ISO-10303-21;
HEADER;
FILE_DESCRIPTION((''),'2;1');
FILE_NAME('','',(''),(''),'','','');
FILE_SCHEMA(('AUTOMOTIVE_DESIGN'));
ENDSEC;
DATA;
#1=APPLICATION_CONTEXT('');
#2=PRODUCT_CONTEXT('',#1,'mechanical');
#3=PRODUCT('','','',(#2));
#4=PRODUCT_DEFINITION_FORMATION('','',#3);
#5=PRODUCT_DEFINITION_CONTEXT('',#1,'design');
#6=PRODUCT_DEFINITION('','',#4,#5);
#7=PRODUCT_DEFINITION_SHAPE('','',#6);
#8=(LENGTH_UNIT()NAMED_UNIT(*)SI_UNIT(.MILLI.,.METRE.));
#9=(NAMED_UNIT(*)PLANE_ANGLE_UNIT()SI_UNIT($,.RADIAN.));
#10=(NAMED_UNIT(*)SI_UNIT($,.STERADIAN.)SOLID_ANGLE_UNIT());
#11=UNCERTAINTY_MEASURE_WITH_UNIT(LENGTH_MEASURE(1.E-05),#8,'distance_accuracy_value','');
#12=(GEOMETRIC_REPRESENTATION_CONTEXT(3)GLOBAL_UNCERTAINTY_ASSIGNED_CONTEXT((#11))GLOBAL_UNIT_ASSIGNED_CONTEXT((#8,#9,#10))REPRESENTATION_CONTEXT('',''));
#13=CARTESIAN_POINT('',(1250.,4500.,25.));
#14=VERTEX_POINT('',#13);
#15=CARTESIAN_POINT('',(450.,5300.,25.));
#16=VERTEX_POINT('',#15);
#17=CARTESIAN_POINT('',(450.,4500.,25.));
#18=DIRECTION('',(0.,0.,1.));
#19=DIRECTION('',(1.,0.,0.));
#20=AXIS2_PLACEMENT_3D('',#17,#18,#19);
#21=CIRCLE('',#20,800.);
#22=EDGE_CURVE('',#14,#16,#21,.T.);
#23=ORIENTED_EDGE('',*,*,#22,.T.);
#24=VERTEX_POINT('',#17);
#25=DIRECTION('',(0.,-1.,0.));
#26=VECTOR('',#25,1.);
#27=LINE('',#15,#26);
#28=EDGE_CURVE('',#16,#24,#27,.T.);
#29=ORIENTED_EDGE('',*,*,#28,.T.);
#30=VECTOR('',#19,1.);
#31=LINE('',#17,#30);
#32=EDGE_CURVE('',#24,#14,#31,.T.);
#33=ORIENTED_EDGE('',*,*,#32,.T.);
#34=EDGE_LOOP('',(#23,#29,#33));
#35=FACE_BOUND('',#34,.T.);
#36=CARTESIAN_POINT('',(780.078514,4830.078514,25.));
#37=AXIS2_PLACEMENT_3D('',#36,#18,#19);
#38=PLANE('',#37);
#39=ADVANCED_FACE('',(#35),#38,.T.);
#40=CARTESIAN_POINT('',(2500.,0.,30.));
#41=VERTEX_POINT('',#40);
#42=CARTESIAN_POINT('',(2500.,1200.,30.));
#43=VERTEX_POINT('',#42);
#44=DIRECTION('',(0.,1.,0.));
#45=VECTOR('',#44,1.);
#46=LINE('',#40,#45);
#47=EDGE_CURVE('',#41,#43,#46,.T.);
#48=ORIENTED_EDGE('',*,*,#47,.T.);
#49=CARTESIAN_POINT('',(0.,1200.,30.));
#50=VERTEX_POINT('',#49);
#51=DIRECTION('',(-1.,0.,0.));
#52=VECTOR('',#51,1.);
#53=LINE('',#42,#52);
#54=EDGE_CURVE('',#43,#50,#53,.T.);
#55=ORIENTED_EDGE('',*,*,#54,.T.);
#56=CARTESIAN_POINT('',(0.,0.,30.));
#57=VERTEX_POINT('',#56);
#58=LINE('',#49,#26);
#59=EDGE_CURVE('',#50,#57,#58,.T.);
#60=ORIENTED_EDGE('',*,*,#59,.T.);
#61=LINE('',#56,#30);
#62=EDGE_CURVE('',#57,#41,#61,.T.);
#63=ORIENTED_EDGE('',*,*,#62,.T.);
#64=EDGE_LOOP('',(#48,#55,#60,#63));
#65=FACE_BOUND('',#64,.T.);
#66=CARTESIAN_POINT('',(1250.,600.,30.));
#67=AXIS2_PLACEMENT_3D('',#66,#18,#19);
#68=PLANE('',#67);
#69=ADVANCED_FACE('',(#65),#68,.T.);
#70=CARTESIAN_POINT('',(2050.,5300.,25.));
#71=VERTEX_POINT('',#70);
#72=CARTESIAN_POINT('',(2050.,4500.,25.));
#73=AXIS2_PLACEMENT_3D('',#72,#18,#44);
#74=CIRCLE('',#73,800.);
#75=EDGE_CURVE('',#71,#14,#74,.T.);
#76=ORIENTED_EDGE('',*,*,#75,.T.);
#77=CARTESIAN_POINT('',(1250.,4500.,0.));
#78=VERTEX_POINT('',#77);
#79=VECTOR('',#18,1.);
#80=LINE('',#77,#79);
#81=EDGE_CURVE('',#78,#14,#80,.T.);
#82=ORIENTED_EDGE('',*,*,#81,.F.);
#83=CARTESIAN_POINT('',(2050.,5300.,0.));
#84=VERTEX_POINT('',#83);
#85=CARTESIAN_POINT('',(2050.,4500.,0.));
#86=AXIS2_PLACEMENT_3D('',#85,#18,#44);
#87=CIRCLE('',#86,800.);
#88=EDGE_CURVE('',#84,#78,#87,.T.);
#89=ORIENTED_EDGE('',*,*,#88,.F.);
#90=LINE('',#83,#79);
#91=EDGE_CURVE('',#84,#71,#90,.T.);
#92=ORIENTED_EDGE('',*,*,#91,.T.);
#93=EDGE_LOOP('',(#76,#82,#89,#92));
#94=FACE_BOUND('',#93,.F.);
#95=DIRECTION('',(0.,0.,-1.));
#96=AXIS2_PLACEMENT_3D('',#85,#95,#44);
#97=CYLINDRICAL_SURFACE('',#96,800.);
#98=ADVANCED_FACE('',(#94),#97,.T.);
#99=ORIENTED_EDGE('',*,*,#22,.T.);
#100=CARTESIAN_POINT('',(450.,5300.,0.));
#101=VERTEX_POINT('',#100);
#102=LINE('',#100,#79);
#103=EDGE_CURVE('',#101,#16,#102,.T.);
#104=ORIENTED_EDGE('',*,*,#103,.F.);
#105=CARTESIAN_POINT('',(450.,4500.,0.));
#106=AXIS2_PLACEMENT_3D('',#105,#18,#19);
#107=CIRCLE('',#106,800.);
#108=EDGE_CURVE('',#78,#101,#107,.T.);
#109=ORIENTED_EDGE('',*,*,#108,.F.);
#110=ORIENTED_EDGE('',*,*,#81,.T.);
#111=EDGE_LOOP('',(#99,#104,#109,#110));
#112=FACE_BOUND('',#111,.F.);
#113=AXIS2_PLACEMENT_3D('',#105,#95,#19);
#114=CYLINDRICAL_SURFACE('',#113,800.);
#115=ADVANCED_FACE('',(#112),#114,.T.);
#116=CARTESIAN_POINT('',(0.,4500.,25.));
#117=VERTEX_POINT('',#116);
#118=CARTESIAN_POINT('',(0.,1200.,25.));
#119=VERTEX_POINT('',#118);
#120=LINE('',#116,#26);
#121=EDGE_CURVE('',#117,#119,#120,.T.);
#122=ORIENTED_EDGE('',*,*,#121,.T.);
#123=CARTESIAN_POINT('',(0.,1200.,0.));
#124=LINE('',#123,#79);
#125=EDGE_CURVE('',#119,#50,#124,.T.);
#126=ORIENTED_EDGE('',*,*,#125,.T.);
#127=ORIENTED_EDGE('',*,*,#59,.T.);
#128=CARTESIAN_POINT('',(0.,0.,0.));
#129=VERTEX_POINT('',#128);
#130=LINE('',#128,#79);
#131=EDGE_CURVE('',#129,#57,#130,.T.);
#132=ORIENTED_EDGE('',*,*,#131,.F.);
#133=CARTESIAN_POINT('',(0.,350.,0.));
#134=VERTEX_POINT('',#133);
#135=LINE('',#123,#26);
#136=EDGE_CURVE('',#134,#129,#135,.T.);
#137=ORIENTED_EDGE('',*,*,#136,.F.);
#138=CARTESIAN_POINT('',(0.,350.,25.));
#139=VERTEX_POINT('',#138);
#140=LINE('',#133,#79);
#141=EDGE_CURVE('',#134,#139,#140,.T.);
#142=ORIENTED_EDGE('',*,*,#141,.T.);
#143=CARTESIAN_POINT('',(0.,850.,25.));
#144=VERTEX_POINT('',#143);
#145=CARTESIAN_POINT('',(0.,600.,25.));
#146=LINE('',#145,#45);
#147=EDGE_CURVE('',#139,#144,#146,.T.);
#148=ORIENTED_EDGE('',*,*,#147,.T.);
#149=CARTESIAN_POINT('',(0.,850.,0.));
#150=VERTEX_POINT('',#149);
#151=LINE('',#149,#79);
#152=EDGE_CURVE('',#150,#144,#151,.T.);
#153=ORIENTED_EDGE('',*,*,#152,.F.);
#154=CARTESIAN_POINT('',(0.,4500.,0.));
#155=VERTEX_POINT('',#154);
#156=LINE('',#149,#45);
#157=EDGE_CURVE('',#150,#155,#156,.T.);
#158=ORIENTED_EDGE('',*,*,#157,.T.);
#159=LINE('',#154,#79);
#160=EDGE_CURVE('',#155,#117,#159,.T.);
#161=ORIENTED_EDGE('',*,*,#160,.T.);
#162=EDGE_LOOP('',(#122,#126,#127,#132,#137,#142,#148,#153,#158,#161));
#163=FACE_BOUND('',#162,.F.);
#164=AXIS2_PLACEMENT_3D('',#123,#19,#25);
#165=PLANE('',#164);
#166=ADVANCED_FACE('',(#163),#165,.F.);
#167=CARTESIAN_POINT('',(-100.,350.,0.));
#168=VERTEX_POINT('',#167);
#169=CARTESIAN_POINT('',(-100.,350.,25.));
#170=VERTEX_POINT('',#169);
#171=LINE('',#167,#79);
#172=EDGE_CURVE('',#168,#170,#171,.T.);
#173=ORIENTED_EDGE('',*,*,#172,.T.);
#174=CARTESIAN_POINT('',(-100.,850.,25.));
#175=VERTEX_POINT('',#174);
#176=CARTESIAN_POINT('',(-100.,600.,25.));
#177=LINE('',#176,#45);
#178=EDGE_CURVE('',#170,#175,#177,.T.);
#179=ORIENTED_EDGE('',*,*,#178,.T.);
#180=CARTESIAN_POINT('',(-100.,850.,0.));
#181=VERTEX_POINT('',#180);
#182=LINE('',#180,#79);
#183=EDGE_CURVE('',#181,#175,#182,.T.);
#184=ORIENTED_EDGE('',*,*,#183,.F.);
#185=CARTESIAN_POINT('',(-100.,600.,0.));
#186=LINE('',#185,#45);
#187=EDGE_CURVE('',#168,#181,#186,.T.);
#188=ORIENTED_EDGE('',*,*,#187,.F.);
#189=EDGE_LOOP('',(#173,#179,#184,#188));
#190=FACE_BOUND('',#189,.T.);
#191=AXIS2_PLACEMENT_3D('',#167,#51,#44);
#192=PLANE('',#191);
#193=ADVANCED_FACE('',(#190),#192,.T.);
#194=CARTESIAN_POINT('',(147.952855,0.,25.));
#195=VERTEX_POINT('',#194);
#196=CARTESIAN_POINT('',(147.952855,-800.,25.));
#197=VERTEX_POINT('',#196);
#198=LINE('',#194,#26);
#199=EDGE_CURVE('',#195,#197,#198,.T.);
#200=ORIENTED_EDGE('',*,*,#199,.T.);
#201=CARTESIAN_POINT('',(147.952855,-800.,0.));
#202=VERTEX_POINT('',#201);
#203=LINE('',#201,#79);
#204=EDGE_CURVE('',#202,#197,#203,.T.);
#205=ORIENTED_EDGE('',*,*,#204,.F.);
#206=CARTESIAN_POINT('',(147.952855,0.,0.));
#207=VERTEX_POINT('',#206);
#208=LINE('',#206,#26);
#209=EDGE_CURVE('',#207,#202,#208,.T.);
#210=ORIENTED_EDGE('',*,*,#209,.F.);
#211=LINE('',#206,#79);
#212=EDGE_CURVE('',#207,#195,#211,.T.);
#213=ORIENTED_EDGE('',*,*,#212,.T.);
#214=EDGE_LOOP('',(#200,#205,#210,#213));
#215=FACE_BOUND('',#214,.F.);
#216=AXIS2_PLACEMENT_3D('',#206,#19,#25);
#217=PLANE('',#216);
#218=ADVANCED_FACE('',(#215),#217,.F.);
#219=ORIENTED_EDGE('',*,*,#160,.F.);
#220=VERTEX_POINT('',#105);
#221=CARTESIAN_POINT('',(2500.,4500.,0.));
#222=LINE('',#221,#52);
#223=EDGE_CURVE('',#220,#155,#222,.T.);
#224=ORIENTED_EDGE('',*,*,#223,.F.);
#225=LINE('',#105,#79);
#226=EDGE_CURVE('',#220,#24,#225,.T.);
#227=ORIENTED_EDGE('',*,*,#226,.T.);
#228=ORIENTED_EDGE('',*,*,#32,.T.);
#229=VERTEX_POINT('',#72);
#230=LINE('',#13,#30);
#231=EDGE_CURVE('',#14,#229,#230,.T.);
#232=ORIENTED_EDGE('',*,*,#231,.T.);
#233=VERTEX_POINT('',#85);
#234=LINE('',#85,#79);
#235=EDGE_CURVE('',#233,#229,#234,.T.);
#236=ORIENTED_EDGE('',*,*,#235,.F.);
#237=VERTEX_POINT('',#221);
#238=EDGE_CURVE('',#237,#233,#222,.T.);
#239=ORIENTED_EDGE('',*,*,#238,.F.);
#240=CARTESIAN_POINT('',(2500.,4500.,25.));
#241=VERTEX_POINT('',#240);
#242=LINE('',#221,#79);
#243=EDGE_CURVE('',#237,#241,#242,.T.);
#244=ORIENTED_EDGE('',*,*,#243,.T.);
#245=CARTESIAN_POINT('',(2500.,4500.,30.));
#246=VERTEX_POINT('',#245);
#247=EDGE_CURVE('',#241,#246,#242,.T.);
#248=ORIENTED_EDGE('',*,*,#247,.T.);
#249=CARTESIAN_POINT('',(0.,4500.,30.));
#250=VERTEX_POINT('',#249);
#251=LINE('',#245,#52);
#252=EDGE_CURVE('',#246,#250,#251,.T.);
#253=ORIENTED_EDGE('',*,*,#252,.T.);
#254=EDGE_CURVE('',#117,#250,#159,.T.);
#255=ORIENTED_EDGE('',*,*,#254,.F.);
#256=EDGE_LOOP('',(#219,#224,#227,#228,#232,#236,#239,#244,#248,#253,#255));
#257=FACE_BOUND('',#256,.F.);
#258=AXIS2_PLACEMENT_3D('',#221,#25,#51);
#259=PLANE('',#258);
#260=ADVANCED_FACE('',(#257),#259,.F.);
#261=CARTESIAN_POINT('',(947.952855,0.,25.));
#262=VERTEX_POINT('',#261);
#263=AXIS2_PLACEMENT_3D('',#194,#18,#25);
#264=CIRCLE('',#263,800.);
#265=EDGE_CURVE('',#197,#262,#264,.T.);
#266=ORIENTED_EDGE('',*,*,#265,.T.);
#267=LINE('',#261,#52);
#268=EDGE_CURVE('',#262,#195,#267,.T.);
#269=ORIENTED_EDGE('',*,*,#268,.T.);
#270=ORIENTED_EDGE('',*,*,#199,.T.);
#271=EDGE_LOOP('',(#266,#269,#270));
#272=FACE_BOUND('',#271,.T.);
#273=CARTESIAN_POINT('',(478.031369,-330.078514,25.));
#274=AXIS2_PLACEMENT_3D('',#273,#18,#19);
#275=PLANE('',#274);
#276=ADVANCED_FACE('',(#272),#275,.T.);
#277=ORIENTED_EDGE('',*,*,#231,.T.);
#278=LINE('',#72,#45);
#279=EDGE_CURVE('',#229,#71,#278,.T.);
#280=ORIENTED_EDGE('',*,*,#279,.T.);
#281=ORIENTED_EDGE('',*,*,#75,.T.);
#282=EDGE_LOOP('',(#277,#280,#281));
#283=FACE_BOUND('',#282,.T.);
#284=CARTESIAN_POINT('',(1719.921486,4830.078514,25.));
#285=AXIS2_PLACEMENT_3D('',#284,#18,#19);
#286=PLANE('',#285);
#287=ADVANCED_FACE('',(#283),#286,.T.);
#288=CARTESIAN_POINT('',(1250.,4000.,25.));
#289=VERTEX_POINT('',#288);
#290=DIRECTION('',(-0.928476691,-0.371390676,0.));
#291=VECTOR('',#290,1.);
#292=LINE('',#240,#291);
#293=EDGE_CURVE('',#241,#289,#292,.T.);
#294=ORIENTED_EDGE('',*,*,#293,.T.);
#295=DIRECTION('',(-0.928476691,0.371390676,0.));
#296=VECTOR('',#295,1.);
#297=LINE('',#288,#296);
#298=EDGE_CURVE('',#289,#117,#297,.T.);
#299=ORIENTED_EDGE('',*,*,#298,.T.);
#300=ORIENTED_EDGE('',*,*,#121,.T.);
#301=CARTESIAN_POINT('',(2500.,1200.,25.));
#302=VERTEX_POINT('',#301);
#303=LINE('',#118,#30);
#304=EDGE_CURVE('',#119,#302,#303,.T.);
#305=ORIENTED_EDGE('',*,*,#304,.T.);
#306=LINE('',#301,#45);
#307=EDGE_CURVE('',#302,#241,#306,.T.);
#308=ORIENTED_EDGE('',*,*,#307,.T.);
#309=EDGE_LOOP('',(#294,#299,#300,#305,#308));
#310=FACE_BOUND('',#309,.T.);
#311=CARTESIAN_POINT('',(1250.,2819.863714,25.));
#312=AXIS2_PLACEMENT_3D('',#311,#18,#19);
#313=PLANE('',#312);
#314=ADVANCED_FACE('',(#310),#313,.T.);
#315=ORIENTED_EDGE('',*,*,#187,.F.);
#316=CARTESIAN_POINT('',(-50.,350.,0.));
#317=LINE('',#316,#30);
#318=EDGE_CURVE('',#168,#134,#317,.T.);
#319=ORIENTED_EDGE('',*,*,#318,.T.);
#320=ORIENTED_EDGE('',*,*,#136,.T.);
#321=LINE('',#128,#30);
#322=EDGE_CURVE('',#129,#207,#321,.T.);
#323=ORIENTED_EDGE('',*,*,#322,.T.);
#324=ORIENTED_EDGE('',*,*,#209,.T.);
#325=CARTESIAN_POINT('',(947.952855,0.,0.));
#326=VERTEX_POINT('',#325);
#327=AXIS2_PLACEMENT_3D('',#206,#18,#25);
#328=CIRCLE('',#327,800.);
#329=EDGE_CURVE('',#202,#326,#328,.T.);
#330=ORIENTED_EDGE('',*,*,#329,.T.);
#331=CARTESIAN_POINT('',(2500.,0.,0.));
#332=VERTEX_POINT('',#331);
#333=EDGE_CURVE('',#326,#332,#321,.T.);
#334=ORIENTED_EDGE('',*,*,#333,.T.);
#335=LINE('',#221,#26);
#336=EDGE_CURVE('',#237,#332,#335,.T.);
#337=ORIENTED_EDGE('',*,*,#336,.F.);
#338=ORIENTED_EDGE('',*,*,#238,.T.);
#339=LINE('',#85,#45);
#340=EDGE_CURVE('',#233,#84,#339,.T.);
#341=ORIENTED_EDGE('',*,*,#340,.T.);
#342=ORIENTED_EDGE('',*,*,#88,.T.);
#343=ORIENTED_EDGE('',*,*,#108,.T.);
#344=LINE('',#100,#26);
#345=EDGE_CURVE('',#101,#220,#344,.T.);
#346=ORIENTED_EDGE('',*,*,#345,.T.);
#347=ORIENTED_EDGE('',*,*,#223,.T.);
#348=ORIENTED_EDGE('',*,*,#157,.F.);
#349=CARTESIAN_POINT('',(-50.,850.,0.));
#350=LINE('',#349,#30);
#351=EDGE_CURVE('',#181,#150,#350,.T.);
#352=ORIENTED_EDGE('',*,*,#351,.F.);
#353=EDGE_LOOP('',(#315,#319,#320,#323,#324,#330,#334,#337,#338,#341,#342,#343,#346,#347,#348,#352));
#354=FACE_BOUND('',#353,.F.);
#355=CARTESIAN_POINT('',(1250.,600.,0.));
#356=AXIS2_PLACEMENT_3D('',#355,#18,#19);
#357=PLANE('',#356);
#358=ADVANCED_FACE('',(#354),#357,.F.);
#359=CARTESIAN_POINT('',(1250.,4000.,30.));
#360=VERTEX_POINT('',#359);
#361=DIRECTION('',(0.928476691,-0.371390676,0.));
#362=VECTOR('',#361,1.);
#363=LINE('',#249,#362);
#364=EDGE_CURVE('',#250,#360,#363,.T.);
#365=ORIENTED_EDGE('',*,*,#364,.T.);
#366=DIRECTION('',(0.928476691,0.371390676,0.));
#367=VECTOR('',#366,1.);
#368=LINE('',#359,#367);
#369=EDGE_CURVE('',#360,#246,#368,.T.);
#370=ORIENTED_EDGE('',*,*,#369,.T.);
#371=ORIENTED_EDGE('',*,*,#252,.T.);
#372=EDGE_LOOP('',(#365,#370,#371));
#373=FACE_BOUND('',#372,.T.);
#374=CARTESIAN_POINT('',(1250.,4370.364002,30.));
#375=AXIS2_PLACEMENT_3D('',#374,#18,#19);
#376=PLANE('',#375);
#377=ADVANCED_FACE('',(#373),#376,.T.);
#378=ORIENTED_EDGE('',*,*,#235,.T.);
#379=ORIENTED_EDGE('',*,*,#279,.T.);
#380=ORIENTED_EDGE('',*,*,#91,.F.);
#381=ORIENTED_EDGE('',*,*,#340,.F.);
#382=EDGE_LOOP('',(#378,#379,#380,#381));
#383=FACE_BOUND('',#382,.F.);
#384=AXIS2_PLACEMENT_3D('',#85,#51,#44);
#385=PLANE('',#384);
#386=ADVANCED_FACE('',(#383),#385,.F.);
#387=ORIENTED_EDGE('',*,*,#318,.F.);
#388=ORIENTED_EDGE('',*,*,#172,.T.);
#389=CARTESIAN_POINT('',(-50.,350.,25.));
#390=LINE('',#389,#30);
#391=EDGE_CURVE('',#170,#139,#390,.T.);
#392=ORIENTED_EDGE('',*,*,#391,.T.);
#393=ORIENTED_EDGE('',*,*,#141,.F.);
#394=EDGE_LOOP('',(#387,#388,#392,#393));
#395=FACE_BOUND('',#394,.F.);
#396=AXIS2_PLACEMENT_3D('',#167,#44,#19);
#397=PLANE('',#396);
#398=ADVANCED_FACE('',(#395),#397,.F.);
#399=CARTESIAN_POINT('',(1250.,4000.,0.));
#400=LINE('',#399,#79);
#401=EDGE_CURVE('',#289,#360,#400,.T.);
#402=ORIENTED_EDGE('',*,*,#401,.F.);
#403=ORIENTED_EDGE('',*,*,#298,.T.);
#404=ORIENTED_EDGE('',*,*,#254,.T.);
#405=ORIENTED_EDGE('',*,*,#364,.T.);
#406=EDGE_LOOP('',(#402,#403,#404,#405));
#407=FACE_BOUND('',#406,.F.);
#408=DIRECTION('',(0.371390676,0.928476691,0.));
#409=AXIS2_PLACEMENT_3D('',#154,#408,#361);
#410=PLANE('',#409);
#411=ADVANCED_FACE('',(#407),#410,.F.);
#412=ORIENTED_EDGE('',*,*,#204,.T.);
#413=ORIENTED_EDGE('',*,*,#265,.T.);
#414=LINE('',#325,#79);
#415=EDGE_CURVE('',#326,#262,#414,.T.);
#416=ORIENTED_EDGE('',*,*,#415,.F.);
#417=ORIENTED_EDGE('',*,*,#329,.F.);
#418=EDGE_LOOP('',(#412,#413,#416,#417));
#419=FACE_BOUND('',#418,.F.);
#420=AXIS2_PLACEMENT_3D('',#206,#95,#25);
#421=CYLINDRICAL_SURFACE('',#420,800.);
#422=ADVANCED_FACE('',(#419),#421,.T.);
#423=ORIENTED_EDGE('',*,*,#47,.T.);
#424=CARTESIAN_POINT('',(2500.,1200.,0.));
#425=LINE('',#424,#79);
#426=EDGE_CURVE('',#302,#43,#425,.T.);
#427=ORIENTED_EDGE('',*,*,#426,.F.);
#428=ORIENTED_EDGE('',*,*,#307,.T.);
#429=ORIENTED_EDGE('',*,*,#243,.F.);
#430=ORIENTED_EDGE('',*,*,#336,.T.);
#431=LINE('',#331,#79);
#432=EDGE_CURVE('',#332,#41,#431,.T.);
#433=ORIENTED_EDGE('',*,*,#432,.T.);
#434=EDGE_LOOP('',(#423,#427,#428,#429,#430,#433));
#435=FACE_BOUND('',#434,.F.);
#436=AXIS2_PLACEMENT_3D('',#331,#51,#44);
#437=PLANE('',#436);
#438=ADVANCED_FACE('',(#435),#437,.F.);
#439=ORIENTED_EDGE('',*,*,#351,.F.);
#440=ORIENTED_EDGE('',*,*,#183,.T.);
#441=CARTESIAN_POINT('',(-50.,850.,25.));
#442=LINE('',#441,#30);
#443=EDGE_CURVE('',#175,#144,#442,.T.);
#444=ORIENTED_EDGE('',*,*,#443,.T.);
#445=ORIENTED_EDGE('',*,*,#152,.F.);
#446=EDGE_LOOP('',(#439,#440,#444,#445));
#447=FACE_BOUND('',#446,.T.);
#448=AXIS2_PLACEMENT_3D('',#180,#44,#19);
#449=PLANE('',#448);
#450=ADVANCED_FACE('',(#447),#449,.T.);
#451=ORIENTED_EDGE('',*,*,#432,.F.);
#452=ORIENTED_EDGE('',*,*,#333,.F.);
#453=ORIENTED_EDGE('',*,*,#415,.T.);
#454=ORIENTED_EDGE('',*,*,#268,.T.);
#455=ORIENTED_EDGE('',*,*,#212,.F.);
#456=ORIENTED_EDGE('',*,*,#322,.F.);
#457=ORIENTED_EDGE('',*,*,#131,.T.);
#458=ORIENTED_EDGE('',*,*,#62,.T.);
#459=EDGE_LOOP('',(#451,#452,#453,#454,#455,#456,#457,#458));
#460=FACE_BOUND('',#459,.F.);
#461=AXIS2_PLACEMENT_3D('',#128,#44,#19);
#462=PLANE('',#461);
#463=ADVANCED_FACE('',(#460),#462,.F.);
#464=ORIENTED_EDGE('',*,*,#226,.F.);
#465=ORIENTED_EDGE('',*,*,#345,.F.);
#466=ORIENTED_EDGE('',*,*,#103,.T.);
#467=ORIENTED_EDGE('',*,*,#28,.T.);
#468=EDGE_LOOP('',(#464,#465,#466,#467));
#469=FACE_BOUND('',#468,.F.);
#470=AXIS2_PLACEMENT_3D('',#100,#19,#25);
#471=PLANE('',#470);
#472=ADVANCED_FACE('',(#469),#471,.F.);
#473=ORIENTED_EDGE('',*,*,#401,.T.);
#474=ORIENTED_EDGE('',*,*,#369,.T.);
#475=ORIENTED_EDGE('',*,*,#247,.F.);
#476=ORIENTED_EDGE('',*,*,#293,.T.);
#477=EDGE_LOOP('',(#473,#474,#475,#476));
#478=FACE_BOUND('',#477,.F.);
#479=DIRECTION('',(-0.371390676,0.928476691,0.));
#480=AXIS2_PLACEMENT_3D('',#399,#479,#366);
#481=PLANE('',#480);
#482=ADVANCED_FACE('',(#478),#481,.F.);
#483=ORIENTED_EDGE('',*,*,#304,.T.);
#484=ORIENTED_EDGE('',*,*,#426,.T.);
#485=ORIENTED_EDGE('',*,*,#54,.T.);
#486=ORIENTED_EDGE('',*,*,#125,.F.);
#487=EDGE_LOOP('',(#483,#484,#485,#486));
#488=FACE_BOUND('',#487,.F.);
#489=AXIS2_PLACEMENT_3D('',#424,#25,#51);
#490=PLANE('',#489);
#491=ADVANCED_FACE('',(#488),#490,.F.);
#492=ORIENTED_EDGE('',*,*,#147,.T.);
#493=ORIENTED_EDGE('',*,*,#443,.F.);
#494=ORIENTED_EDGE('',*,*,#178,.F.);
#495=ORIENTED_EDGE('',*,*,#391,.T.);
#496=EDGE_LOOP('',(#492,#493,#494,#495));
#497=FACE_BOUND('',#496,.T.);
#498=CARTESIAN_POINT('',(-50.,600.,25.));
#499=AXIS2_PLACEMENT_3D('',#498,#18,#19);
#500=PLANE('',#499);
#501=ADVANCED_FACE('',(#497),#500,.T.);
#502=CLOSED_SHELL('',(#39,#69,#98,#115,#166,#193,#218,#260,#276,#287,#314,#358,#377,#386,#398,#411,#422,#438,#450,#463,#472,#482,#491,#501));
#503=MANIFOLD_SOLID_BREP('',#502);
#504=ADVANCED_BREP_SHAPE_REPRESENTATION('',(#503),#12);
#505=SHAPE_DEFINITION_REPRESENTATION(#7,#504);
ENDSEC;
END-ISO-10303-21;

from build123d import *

# Parameters (mm, degrees)
F0_W     = 100
F0_H     = 500
F1_DEPTH = 25
F2_DEPTH = 30
F3_DEPTH = 30


with BuildPart() as f1:
    # F0 (on Top) → F1 (new body)
    with BuildSketch(Plane.XY):
        with BuildLine():
            Line((450, 5300), (450, 4500))
            Line((450, 4500), (1250, 4500))
            ThreePointArc((1250, 4500), (1015.685425, 5065.685425), (450, 5300))
        make_face()
        with BuildLine():
            Line((1250, 4500), (2050, 4500))
            Line((2050, 4500), (2050, 5300))
            ThreePointArc((2050, 5300), (1484.314575, 5065.685425), (1250, 4500))
        make_face()
        Polygon((0, 4500), (0, 1200), (2500, 1200), (2500, 4500), (1250, 4000), align=None)
        with Locations((-50, 600)):
            Rectangle(F0_W, F0_H)
        with BuildLine():
            Line((947.952855, 0), (147.952855, 0))
            Line((147.952855, 0), (147.952855, -800))
            ThreePointArc((147.952855, -800), (713.63828, -565.685425), (947.952855, 0))
        make_face()
    extrude(amount=F1_DEPTH)

    # F0 (on Top) → F2 (join)
    with BuildSketch(Plane.XY):
        Polygon((450, 4500), (0, 4500), (1250, 4000), (2500, 4500), (2050, 4500), (1250, 4500), align=None)
    extrude(amount=F2_DEPTH)

    # F0 (on Top) → F3 (join)
    with BuildSketch(Plane.XY):
        Polygon((0, 350), (0, 0), (147.952855, 0), (947.952855, 0), (2500, 0), (2500, 1200), (0, 1200), (0, 850), align=None)
    extrude(amount=F3_DEPTH)


solid = f1.part
